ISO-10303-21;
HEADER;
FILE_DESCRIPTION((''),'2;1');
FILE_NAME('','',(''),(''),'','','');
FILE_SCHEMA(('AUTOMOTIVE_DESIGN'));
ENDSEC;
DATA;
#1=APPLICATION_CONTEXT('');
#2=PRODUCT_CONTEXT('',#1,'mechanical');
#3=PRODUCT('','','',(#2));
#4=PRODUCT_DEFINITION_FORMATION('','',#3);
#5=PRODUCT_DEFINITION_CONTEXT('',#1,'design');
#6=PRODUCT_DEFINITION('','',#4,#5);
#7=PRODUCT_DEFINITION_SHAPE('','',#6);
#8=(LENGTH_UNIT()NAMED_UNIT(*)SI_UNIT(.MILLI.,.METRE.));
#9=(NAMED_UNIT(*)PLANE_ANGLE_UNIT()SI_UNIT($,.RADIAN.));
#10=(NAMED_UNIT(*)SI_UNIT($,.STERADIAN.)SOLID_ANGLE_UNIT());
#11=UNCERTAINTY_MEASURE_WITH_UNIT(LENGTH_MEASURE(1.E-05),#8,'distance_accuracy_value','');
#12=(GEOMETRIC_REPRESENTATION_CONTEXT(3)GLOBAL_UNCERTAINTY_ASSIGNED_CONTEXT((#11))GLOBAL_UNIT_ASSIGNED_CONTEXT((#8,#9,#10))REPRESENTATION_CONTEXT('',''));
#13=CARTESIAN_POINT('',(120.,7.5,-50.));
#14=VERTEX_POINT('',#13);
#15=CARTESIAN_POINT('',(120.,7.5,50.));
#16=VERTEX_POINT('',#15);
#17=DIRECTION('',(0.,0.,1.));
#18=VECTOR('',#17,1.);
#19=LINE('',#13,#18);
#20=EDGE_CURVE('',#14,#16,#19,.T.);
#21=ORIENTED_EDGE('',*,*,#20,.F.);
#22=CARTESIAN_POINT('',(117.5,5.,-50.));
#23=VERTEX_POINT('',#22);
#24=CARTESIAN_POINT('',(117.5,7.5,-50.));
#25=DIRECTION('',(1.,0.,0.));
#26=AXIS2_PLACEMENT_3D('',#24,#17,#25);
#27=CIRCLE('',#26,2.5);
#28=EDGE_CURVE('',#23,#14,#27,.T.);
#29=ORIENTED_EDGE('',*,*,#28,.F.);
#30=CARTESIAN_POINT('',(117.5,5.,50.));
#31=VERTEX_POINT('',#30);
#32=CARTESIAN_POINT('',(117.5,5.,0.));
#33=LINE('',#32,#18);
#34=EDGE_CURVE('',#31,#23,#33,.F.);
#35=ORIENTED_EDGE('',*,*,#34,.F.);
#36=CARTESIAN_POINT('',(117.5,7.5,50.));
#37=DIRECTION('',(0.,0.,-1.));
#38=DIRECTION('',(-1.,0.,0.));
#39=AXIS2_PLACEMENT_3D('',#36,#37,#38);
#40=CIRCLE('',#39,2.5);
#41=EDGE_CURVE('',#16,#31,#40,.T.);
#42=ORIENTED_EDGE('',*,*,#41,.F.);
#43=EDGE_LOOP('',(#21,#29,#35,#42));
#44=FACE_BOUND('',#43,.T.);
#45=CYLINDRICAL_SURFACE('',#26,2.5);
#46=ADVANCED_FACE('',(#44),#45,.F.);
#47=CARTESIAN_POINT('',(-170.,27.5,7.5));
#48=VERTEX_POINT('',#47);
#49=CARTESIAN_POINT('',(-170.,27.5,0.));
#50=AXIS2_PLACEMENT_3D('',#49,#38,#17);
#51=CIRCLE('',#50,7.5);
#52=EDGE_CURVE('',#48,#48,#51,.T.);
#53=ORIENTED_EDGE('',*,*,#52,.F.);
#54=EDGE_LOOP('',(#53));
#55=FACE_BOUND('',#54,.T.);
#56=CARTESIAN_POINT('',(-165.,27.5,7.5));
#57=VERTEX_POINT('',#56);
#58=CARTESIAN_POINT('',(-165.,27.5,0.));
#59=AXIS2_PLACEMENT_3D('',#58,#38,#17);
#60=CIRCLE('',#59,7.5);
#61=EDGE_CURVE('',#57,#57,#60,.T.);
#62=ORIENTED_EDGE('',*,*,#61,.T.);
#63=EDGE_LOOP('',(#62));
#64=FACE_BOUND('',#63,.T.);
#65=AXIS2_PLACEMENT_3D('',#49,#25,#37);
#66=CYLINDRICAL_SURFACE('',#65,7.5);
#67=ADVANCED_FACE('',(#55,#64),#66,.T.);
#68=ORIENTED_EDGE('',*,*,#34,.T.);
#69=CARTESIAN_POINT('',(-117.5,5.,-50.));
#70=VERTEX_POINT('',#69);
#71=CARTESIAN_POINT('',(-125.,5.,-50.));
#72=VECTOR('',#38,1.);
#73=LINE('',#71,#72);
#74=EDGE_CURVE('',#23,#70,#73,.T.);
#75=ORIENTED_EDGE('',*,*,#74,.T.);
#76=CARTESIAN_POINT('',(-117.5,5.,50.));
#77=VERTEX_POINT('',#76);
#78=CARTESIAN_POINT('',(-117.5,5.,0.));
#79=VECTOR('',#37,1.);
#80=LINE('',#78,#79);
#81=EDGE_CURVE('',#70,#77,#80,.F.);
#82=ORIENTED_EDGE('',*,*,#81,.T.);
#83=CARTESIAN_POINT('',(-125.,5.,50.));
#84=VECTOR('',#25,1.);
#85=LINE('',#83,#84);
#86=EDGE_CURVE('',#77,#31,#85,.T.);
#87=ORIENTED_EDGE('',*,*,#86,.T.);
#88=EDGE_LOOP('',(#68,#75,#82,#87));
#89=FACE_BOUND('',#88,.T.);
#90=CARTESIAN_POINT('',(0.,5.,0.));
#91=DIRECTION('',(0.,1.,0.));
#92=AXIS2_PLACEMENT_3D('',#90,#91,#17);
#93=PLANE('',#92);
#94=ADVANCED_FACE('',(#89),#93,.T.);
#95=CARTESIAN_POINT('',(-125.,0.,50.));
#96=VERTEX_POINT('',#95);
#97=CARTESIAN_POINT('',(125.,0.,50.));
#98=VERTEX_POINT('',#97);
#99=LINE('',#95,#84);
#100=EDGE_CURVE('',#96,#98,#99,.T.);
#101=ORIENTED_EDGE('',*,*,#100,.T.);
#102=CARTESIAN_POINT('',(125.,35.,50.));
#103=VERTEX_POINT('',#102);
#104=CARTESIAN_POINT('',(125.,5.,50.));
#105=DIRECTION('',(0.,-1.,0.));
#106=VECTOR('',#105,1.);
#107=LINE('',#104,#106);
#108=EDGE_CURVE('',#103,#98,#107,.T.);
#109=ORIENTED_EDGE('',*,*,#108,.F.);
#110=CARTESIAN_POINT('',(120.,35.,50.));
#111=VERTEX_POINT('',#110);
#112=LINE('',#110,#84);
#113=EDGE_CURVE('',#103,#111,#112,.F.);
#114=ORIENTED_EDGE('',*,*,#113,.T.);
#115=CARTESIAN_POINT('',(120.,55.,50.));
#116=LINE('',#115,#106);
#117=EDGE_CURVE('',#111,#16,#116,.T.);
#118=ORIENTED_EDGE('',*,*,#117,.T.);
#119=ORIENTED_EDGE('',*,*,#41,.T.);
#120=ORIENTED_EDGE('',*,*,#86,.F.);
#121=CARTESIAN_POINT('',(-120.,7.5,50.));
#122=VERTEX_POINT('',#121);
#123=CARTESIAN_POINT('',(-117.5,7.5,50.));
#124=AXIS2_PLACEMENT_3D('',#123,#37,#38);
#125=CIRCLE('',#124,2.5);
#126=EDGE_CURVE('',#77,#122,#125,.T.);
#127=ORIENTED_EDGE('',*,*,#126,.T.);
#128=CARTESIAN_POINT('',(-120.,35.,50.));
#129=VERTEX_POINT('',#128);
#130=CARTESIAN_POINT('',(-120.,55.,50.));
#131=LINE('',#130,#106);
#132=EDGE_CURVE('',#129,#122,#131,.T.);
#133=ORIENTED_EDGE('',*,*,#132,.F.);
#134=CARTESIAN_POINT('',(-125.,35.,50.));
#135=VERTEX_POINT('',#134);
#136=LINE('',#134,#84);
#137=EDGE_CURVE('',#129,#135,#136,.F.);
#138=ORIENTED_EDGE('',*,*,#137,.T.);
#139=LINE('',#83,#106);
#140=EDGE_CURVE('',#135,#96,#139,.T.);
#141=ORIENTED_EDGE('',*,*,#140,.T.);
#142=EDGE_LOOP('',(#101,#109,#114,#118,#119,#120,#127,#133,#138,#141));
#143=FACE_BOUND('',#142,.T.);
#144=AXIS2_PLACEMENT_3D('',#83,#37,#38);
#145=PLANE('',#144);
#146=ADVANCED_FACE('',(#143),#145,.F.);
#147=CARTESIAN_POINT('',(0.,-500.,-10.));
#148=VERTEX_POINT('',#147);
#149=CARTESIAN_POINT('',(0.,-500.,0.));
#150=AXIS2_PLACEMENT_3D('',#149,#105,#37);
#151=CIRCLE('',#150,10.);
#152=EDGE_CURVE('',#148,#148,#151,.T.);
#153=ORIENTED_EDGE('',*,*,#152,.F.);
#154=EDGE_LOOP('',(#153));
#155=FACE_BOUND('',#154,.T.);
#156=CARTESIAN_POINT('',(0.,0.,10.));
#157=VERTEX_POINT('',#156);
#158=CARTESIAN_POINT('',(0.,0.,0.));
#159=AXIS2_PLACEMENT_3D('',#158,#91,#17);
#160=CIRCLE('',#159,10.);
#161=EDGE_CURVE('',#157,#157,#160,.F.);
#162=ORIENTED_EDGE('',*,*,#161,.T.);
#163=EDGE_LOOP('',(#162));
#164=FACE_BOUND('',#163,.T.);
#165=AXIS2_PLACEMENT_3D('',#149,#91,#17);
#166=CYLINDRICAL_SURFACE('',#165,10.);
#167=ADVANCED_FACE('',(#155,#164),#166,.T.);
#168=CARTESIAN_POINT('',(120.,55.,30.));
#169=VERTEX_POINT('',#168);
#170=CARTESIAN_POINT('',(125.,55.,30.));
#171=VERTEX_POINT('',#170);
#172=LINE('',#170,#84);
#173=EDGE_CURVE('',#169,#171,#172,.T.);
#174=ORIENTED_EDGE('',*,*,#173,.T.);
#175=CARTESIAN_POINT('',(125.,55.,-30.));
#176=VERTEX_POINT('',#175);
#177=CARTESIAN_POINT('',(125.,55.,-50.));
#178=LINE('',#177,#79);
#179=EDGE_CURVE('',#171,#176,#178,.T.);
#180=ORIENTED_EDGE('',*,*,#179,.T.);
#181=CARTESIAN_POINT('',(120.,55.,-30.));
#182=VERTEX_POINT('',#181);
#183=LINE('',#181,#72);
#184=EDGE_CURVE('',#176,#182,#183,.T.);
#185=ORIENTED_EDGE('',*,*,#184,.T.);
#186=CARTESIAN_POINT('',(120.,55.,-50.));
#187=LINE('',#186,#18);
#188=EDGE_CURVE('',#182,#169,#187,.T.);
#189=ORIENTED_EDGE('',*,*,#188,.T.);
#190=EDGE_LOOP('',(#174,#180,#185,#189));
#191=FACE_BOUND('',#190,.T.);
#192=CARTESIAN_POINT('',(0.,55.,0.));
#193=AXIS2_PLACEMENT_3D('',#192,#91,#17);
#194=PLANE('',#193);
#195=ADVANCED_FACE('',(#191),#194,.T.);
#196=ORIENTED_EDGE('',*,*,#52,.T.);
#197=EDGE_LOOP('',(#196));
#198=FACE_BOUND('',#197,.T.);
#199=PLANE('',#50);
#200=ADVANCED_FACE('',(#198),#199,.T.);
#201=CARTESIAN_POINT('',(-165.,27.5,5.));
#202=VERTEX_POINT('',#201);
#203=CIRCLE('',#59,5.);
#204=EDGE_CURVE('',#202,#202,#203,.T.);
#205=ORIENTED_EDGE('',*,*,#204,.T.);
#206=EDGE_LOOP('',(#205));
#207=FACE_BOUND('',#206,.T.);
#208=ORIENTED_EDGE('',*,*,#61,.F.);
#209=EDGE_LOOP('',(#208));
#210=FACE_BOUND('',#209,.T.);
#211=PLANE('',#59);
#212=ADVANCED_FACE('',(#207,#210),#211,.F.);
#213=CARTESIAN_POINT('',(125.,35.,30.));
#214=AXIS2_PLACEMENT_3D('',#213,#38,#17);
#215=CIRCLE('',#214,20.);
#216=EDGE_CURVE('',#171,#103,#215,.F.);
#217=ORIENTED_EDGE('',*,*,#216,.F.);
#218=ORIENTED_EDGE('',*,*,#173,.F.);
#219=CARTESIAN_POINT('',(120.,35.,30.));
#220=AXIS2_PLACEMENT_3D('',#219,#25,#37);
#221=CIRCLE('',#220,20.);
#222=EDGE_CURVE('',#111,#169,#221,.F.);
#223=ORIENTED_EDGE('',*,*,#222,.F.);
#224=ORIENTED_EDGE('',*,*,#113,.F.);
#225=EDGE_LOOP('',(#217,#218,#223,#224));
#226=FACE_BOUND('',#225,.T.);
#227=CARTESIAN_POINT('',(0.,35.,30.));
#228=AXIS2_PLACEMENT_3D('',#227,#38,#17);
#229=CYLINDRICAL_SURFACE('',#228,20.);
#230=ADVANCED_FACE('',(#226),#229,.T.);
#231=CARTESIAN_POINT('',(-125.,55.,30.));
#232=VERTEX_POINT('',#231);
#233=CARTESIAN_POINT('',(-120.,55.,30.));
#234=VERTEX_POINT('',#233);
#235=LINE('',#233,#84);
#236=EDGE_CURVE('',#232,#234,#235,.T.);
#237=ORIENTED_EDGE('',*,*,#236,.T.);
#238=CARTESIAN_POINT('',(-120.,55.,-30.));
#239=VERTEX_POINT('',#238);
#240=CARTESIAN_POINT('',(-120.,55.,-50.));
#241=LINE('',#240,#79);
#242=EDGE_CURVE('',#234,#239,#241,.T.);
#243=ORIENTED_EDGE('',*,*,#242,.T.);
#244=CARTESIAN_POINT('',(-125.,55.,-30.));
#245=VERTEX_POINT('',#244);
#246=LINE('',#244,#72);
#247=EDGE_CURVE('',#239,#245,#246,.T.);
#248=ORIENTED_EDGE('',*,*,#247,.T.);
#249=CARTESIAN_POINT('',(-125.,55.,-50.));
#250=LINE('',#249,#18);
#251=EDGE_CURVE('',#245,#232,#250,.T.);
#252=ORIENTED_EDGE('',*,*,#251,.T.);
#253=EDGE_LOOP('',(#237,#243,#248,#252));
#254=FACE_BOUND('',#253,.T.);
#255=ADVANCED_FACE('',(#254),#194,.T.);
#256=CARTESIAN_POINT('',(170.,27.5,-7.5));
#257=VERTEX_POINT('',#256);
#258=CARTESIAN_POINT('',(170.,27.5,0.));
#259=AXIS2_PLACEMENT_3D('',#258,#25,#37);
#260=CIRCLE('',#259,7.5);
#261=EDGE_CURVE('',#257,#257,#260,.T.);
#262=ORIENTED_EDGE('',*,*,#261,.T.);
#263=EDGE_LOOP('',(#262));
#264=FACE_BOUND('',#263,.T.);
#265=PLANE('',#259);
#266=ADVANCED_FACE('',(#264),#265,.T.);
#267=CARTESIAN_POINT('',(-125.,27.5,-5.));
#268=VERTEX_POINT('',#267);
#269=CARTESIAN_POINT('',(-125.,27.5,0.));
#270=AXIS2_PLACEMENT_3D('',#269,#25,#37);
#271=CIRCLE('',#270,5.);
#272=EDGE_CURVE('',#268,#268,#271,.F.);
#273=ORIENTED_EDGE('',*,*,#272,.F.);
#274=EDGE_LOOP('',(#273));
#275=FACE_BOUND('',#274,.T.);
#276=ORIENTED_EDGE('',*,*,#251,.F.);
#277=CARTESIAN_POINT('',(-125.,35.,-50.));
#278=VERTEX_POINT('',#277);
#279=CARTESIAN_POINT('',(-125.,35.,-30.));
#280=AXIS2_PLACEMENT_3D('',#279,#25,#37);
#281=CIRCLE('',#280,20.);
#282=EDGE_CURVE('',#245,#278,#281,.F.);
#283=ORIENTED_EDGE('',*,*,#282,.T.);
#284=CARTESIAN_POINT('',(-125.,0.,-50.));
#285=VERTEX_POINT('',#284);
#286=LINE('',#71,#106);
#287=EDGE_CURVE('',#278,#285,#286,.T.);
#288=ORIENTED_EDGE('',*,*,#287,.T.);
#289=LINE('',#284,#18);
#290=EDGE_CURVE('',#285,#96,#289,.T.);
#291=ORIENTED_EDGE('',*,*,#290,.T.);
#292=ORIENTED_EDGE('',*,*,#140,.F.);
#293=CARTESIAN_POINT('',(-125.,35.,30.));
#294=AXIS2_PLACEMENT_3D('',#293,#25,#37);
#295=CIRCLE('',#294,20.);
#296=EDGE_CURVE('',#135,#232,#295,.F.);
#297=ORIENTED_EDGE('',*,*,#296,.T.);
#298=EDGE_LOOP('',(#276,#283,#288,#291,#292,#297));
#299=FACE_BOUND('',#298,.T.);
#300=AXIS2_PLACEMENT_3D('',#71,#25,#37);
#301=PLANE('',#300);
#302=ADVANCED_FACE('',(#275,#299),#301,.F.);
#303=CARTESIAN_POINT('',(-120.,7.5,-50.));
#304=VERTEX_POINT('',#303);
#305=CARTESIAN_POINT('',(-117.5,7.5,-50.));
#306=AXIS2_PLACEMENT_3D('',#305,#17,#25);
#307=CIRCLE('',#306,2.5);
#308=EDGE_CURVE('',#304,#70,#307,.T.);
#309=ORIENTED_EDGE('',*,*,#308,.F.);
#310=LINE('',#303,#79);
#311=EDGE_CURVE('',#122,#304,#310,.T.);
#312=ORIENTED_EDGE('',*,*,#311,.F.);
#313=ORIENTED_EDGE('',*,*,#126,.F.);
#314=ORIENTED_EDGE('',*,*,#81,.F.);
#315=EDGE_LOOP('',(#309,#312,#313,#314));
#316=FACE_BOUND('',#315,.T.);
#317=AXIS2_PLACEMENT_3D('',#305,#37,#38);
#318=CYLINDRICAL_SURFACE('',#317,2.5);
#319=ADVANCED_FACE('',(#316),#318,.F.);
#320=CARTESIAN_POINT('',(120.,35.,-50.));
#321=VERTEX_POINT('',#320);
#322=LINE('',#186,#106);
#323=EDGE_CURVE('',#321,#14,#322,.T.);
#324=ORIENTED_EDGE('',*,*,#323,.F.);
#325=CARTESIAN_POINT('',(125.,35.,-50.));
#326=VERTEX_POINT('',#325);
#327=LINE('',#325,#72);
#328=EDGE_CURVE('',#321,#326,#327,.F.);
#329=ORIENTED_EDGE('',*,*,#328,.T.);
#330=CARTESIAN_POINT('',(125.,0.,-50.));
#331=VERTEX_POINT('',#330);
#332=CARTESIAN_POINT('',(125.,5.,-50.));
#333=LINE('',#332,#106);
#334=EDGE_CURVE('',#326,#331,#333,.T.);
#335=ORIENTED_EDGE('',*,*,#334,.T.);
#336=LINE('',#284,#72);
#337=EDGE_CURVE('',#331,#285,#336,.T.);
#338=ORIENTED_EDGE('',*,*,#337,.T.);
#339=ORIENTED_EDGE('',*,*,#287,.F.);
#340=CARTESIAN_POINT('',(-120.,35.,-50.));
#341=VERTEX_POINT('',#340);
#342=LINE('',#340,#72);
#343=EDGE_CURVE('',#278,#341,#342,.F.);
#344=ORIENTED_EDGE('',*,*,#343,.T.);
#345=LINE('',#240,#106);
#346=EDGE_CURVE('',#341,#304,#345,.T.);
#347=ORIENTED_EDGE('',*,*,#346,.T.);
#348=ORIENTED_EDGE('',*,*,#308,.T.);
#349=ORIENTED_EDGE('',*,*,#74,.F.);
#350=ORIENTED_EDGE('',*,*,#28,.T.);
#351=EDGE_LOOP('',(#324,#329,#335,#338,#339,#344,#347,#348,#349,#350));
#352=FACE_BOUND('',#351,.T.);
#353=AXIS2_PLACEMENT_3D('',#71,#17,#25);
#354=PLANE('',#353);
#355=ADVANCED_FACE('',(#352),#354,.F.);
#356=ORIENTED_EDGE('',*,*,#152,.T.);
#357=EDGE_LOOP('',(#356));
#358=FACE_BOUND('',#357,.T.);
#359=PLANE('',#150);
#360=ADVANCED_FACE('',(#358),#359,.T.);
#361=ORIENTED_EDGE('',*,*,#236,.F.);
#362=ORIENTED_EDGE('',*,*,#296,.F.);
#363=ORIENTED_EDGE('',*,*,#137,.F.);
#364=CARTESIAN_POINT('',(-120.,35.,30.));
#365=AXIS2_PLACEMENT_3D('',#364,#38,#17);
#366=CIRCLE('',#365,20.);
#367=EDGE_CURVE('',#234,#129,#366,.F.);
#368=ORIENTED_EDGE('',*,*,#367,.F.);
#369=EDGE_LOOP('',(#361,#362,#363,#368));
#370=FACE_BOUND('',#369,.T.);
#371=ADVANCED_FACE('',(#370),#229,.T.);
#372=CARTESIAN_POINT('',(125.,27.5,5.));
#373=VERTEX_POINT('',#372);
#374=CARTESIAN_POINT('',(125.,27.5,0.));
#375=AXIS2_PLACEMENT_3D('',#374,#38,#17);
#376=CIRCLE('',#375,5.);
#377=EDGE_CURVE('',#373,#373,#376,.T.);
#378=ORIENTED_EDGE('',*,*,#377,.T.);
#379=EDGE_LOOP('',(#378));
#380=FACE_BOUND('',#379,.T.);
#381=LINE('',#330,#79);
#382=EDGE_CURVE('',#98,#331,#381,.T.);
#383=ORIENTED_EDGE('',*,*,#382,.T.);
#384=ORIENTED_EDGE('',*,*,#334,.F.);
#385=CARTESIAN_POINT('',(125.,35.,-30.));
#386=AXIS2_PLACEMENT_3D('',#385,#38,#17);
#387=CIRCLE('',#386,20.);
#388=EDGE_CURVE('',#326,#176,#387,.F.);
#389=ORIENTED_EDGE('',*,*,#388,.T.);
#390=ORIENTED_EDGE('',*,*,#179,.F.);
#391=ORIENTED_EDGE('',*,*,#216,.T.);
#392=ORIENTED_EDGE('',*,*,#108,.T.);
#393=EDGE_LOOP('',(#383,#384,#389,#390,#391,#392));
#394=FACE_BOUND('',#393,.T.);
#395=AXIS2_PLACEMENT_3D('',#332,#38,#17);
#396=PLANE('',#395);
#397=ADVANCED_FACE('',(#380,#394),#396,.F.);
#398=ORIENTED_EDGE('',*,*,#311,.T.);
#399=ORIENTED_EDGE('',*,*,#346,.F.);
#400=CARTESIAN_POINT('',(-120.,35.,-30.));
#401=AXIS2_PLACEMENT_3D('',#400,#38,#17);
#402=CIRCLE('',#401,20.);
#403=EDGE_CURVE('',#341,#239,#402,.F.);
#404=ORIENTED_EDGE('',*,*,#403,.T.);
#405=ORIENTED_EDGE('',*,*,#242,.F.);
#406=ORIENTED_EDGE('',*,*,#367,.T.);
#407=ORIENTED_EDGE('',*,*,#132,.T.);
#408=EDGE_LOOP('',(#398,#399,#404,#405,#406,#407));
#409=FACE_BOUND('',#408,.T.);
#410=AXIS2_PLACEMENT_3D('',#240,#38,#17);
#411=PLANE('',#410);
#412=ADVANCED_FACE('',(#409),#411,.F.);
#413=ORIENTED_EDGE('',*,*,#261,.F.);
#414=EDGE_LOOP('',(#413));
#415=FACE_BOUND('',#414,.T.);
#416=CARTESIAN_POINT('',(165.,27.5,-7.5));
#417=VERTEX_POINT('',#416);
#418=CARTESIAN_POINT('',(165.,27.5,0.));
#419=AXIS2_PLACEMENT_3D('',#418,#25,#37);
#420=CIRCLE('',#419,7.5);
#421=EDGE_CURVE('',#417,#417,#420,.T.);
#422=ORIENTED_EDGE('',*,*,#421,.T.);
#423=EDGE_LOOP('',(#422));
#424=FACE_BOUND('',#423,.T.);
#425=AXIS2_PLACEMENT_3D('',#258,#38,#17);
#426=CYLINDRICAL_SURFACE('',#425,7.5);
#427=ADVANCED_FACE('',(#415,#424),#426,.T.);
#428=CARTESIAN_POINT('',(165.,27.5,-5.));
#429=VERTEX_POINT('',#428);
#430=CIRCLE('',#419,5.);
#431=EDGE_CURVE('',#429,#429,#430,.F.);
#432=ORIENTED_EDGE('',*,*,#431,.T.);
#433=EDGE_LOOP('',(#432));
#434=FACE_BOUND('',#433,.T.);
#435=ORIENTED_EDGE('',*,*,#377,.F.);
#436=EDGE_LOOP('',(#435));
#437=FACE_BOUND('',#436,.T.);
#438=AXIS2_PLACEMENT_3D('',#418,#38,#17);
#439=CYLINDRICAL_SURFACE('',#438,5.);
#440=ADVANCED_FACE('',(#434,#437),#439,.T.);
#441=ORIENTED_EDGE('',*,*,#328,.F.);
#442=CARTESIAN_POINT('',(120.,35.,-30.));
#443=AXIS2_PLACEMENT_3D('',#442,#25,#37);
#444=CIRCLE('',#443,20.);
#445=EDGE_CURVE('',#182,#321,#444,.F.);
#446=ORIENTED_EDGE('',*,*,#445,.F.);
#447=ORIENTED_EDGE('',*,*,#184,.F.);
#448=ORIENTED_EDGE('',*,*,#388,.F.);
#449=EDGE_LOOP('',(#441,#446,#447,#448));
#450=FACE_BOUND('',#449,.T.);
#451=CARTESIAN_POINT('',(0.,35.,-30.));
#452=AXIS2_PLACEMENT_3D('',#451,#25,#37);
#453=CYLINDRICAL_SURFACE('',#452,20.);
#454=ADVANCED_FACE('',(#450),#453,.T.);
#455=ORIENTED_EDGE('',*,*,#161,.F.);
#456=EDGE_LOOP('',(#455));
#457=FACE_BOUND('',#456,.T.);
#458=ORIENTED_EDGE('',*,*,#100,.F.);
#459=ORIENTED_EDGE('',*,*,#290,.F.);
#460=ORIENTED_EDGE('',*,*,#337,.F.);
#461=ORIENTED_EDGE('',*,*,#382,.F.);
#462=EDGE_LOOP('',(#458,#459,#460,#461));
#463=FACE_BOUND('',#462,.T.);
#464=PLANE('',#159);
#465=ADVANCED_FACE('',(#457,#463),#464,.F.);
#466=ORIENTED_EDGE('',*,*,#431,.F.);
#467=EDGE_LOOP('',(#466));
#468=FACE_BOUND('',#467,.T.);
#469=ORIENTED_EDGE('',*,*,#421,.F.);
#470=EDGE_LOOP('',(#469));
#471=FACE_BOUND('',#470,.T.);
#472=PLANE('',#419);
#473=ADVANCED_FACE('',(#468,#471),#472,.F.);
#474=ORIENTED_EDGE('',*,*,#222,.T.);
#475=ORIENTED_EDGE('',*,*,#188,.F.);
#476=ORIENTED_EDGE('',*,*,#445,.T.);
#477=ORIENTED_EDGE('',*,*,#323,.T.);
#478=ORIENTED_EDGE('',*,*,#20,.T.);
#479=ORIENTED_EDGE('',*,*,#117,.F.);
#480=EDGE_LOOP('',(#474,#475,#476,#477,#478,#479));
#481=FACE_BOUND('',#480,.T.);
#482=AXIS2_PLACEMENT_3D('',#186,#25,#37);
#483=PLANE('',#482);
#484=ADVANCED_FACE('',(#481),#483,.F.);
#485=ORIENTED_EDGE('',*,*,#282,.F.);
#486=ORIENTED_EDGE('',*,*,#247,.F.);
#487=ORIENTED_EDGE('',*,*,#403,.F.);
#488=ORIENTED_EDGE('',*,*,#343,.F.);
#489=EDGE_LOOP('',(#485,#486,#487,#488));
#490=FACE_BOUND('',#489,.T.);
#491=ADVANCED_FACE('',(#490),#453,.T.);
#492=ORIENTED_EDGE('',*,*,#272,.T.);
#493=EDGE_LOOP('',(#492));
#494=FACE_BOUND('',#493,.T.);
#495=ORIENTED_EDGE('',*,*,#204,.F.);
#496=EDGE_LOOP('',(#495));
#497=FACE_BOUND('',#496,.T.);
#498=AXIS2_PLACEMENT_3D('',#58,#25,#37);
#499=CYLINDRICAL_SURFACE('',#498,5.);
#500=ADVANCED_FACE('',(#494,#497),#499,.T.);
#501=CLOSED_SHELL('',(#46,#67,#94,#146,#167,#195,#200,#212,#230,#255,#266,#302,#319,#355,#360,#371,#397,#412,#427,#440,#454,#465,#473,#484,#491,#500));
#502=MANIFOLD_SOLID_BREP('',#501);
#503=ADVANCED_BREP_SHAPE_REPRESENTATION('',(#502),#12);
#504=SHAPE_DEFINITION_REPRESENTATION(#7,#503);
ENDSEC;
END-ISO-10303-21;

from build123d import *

# Parameters (mm, degrees)
SKETCH1_W            = 250
SKETCH1_H            = 100
BOSS_EXTRUDE1_DEPTH  = 5
SKETCH2_W            = 5
SKETCH2_H            = 100
BOSS_EXTRUDE2_DEPTH  = 50
FILLET1_R            = 20
BOSS_EXTRUDE3_START  = -250
SKETCH3_R            = 5
BOSS_EXTRUDE3_DEPTH  = 40
BOSS_EXTRUDE4_START  = 40
SKETCH3_2_R          = 5
BOSS_EXTRUDE4_DEPTH  = 40
SKETCH4_R            = 10
BOSS_EXTRUDE5_DEPTH  = 500
SKETCH6_R            = 7.5
BOSS_EXTRUDE9_DEPTH  = 5
BOSS_EXTRUDE11_START = 5
SKETCH7_R            = 7.5
BOSS_EXTRUDE11_DEPTH = 5
FILLET3_R            = 2.5


with BuildPart() as part:
    # Sketch1 → Boss-Extrude1 (new body)
    with BuildSketch(Plane(origin=(0, 0, 0), x_dir=(1, 0, 0), z_dir=(0, 1, 0))):
        Rectangle(SKETCH1_W, SKETCH1_H)
    extrude(amount=BOSS_EXTRUDE1_DEPTH)

    # Sketch2 → Boss-Extrude2 (add)
    with BuildSketch(Plane(origin=(0, 5, 0), x_dir=(1, 0, 0), z_dir=(0, 1, 0))):
        with Locations((-122.5, 0)):
            Rectangle(SKETCH2_W, SKETCH2_H)
        with Locations((122.5, 0)):
            Rectangle(SKETCH2_W, SKETCH2_H)
    extrude(amount=BOSS_EXTRUDE2_DEPTH)

    # Fillet1
    fillet1_edges = [part.edges().sort_by_distance(p)[0] for p in [
        (122.5, 55, -50),
        (122.5, 55, 50),
        (-122.5, 55, -50),
        (-122.5, 55, 50),
    ]]
    fillet(fillet1_edges, radius=FILLET1_R)

    # Sketch3 → Boss-Extrude3 (add)
    with BuildSketch(Plane.ZY.offset(125).offset(BOSS_EXTRUDE3_START)):
        with Locations((0, 27.5)):
            Circle(SKETCH3_R)
    extrude(amount=-BOSS_EXTRUDE3_DEPTH)

    # Sketch3<2> → Boss-Extrude4 (add)
    with BuildSketch(Plane.ZY.offset(125).offset(BOSS_EXTRUDE4_START)):
        with Locations((0, 27.5)):
            Circle(SKETCH3_2_R)
    extrude(amount=-BOSS_EXTRUDE4_DEPTH)

    # Sketch4 → Boss-Extrude5 (add)
    with BuildSketch(Plane(origin=(0, 0, 0), x_dir=(-1, 0, 0), z_dir=(0, -1, 0))):
        with Locations(Location((0, 0, 0), (0, 0, 270))):
            Circle(SKETCH4_R)
    extrude(amount=BOSS_EXTRUDE5_DEPTH)

    # Sketch6 → Boss-Extrude9 (add)
    with BuildSketch(Plane(origin=(165, 0, 0), x_dir=(0, 0, -1), z_dir=(1, 0, 0))):
        with Locations((0, 27.5)):
            Circle(SKETCH6_R)
    extrude(amount=BOSS_EXTRUDE9_DEPTH)

    # Sketch7 → Boss-Extrude11 (add)
    with BuildSketch(Plane.ZY.offset(165).offset(BOSS_EXTRUDE11_START)):
        with Locations(Location((0, 27.5, 0), (0, 0, 180))):
            Circle(SKETCH7_R)
    extrude(amount=-BOSS_EXTRUDE11_DEPTH)

    # Fillet3
    fillet3_edges = [part.edges().sort_by_distance(p)[0] for p in [
        (-120, 5, 0),
        (120, 5, 0),
    ]]
    fillet(fillet3_edges, radius=FILLET3_R)


solid = part.part
